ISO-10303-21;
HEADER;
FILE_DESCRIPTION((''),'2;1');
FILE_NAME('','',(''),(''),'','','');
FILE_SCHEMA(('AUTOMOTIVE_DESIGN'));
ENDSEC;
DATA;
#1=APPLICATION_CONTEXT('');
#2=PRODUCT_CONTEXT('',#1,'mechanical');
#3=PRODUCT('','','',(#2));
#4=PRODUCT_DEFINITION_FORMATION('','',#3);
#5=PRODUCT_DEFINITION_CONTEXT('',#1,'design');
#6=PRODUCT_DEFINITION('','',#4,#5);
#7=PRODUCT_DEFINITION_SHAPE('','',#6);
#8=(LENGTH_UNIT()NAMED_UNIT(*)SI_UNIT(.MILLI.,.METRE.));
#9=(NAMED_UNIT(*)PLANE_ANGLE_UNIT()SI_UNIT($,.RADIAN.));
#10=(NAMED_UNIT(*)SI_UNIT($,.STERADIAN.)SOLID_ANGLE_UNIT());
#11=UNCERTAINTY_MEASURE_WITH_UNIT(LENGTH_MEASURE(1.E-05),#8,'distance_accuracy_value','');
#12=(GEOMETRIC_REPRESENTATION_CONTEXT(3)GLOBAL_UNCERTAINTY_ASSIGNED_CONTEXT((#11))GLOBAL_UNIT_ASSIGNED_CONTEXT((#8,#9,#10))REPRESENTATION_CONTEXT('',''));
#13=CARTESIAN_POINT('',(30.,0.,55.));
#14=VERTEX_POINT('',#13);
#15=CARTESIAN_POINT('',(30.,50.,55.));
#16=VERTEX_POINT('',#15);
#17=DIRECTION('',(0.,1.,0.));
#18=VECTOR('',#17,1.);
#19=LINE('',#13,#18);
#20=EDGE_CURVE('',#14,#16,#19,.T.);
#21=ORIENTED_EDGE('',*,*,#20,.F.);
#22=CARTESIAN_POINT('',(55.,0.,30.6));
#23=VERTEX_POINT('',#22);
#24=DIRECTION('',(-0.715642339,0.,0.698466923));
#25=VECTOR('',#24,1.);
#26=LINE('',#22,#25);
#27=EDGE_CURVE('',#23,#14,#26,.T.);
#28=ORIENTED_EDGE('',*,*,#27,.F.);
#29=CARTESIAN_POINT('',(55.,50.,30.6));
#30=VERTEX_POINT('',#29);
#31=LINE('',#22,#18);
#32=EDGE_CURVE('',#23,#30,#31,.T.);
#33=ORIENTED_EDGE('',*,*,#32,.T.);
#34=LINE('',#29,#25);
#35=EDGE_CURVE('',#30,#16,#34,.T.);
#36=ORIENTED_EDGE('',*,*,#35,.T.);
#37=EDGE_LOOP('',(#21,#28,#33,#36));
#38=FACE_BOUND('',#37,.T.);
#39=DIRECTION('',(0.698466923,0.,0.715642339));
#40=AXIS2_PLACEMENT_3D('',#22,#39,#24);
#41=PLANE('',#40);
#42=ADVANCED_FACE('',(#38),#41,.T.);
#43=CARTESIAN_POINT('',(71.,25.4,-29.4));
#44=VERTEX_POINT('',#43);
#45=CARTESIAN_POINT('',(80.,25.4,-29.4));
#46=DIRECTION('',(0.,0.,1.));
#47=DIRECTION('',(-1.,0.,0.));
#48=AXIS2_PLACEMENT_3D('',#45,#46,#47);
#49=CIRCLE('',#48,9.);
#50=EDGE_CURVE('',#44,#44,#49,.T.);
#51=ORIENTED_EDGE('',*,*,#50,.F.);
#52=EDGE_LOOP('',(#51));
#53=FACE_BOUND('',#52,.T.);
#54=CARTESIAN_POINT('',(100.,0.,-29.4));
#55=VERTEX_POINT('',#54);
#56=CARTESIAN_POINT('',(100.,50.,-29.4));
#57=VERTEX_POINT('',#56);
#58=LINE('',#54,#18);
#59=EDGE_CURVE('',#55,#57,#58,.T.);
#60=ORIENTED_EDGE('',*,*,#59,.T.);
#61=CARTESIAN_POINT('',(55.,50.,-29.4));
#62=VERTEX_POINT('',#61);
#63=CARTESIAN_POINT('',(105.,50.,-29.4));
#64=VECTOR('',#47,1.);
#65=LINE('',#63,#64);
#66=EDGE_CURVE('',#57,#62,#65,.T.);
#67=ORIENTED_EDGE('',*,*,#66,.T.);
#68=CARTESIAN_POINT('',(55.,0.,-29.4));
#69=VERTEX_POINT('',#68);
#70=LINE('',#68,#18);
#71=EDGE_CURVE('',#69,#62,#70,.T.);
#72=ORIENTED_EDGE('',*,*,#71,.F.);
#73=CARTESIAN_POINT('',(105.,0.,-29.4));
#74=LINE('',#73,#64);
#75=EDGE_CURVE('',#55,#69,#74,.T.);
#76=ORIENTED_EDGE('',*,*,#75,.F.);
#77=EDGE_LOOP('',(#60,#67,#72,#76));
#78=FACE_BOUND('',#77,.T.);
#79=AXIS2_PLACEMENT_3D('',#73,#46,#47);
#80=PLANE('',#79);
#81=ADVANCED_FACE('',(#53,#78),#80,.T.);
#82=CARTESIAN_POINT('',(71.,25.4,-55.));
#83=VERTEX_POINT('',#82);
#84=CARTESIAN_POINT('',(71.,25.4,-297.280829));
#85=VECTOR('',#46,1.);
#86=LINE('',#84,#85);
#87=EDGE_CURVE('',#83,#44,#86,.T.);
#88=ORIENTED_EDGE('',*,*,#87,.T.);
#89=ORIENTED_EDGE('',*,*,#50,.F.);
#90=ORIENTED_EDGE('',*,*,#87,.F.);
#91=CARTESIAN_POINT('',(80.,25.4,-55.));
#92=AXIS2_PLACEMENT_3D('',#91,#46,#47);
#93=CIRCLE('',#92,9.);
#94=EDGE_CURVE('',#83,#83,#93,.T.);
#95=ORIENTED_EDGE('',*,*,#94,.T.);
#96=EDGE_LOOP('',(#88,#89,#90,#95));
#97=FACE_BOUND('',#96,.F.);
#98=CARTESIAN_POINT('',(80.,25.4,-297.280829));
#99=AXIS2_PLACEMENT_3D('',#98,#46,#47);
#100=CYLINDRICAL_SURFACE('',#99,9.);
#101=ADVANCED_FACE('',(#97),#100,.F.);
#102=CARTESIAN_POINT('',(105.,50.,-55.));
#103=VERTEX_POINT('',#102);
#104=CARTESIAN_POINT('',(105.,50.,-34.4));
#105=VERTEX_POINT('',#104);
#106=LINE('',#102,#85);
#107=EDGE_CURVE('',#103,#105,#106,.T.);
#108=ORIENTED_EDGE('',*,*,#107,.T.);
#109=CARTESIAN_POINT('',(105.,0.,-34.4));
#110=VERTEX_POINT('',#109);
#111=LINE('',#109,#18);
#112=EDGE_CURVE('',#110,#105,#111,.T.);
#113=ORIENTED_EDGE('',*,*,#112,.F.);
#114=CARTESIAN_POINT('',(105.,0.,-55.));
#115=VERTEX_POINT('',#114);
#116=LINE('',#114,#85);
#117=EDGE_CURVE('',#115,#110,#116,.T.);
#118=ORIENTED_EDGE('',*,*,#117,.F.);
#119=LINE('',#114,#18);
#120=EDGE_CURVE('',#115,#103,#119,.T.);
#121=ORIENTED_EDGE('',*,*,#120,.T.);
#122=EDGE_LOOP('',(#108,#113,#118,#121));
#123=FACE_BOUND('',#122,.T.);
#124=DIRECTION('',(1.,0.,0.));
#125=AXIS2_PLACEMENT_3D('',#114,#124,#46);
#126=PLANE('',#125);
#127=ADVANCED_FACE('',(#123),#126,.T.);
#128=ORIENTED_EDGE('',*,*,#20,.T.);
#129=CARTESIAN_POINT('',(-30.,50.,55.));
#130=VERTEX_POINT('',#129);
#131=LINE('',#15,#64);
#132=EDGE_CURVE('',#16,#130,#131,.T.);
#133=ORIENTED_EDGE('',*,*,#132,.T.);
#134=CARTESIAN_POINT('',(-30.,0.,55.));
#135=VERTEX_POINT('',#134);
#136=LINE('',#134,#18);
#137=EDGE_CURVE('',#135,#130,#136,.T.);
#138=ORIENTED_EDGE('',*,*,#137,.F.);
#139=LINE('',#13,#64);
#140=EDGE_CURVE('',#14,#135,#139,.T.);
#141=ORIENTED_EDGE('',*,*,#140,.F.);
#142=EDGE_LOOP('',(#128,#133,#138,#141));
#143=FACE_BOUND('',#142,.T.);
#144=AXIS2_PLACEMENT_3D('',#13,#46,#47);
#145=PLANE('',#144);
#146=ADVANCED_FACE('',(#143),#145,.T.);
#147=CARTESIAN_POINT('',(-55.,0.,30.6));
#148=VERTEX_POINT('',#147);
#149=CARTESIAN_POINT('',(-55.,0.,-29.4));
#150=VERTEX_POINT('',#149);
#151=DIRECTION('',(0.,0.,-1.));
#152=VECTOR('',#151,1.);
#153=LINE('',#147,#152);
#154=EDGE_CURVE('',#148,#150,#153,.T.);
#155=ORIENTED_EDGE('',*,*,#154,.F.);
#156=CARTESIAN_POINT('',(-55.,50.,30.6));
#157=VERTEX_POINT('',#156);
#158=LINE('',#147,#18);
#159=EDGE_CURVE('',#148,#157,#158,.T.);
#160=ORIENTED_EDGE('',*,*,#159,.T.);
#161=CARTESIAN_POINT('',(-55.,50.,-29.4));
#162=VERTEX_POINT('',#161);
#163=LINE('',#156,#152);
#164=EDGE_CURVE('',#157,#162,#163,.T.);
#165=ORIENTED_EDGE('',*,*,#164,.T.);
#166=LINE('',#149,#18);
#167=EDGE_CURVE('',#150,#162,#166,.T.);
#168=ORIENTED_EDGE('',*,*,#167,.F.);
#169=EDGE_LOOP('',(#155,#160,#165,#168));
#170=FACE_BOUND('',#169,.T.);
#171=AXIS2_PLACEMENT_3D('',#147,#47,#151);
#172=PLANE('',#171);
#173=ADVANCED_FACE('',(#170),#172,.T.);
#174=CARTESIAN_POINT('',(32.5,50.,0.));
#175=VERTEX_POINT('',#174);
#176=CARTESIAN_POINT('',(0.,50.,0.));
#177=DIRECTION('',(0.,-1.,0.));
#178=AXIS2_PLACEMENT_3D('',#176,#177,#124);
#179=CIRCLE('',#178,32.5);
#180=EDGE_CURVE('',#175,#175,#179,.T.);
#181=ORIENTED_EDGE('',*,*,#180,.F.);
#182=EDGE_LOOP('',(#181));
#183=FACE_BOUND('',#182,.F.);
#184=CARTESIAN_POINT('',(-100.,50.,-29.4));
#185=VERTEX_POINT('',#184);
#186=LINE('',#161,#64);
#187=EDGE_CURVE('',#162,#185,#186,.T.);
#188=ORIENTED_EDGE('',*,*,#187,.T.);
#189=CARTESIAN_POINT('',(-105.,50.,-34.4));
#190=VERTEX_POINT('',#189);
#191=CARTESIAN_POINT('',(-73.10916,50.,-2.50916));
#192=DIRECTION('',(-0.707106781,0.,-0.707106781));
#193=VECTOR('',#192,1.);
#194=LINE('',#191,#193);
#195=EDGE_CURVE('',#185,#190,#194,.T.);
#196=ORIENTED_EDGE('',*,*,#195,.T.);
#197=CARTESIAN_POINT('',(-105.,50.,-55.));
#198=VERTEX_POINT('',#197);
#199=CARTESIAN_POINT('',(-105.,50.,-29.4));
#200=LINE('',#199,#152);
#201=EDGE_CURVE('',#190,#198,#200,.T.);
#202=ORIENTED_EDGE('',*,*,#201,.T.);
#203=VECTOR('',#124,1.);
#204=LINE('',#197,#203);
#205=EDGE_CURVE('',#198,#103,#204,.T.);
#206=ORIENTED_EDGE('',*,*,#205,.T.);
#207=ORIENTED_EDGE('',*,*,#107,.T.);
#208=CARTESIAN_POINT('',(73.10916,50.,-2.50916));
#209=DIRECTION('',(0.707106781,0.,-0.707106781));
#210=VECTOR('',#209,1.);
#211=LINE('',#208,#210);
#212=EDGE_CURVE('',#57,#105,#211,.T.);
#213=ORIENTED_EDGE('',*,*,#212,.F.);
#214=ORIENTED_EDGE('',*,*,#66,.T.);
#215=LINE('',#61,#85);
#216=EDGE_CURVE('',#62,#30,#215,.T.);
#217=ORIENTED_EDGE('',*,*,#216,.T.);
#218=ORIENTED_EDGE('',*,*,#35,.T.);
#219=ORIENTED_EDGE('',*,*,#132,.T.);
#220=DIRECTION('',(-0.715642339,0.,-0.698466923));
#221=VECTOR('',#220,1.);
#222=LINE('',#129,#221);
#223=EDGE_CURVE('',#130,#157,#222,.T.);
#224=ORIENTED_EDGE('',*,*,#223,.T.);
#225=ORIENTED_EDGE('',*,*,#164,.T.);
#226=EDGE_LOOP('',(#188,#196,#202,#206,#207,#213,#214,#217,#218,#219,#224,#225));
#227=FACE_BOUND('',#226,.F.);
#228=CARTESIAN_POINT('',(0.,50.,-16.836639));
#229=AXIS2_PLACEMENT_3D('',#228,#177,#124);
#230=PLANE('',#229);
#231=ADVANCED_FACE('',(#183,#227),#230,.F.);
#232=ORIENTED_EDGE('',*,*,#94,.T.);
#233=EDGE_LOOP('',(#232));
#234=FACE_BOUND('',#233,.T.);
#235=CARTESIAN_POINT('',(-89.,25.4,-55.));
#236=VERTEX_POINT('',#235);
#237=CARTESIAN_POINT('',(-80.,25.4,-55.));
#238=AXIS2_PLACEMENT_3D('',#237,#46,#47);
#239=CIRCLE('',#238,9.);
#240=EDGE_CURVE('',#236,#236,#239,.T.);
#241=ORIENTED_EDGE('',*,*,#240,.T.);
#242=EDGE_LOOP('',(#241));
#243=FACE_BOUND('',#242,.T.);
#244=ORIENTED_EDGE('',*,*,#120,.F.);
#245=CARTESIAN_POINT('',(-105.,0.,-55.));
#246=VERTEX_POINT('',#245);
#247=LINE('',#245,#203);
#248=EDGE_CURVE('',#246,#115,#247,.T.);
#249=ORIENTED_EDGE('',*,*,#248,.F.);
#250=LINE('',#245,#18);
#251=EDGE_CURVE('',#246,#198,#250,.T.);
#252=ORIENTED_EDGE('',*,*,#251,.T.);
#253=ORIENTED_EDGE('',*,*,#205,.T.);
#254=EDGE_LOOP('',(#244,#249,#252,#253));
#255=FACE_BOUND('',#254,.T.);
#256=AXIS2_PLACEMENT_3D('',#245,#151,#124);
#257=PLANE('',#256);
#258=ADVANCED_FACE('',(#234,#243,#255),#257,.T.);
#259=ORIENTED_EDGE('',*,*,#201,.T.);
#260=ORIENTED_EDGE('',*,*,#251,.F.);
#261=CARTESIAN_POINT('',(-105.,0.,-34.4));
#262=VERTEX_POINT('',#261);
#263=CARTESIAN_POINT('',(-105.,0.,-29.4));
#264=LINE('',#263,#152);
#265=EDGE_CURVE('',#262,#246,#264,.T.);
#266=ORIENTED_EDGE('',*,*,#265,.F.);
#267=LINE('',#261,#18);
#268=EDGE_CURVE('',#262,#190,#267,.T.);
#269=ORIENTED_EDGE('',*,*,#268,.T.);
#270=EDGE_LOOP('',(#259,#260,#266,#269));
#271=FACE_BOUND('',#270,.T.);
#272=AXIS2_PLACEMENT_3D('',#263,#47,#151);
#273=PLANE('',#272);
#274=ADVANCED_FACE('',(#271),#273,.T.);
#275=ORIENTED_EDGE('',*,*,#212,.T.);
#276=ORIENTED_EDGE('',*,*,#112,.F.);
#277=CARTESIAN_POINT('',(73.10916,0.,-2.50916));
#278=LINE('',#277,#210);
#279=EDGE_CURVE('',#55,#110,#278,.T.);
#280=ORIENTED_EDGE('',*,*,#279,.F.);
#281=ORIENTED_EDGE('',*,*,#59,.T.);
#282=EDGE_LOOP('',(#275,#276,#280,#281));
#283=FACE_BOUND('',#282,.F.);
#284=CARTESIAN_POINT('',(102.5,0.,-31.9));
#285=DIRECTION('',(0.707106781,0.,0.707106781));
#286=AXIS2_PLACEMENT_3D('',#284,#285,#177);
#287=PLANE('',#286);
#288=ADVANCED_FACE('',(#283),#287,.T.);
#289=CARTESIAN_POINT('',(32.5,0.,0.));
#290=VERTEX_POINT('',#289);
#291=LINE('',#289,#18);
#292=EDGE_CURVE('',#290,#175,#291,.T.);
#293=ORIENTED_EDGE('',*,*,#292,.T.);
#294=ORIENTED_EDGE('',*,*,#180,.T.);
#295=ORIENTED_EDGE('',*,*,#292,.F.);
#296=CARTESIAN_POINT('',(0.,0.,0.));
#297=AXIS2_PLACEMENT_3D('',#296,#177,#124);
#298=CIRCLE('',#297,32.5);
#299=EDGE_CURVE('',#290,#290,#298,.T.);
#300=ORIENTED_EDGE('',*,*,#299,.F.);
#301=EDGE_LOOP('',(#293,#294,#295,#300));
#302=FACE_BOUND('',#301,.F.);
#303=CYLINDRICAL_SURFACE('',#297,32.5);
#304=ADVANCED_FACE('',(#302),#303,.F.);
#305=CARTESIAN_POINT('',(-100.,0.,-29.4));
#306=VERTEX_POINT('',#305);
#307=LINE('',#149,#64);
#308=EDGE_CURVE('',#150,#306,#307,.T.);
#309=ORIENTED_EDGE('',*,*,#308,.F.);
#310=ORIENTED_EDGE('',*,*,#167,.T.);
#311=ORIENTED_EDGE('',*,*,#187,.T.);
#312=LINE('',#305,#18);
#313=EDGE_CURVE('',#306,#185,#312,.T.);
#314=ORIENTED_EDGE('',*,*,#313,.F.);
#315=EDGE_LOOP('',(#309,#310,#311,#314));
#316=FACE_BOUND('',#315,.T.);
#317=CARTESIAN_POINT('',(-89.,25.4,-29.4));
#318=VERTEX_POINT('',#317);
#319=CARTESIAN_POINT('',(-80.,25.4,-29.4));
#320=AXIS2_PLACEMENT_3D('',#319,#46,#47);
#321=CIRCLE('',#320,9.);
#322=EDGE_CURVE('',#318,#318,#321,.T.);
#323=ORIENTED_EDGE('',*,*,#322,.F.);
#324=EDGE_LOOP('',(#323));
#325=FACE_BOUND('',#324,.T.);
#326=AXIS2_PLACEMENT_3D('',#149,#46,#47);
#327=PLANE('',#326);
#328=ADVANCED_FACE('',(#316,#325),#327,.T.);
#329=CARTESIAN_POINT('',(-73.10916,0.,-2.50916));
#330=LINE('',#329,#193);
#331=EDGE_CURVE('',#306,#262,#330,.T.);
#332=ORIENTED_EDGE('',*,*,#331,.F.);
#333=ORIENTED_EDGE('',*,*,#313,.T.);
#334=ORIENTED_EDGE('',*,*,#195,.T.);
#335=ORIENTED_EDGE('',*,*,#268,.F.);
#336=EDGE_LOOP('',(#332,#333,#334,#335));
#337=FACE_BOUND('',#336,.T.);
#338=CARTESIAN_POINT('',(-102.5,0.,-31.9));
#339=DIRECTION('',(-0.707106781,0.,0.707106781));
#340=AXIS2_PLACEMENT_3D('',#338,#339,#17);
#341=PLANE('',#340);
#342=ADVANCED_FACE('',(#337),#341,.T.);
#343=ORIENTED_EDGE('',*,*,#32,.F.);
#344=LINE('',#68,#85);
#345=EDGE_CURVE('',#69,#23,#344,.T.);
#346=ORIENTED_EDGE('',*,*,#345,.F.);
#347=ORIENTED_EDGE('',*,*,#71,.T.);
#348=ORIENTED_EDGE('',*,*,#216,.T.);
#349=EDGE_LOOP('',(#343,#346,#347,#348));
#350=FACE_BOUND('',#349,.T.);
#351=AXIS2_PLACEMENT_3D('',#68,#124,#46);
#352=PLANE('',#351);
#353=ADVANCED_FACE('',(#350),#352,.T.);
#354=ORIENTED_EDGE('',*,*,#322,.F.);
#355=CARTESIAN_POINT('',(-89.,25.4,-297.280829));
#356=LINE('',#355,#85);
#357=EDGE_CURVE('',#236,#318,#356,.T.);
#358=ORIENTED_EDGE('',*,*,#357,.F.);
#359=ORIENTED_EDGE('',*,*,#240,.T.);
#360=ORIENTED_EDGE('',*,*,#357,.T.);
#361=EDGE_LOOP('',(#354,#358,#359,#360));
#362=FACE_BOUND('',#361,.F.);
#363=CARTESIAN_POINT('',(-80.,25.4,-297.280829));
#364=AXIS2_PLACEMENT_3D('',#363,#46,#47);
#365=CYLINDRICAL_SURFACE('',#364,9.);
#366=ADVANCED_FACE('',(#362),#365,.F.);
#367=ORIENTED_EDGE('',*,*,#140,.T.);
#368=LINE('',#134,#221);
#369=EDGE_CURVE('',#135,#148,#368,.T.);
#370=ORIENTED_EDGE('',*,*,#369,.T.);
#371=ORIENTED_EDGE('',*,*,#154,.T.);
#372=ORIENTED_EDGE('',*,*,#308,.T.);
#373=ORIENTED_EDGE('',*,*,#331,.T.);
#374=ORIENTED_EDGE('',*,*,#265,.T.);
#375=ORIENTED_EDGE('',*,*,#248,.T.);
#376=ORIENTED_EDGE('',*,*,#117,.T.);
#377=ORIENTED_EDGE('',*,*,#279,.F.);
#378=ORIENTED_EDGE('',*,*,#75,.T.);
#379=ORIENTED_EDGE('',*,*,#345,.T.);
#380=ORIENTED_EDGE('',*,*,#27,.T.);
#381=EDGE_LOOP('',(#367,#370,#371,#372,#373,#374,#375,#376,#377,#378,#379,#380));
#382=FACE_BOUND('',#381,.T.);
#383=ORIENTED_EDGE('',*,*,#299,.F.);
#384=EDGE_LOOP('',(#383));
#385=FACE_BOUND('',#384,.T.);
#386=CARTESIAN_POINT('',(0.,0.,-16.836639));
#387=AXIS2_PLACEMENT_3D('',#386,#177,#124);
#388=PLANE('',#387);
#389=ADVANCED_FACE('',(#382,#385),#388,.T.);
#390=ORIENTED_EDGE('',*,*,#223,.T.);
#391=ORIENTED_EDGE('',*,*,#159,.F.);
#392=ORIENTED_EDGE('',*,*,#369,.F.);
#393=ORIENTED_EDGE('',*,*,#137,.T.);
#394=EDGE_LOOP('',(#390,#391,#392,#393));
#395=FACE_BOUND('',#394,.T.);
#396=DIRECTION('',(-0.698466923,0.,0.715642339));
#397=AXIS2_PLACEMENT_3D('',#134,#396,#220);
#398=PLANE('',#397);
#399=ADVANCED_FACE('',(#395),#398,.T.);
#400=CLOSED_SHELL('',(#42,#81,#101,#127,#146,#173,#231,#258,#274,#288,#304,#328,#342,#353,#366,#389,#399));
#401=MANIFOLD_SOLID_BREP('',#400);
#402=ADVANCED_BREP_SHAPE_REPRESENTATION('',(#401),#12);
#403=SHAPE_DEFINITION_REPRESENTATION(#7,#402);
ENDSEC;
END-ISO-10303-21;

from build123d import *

# Parameters (mm, degrees)
F0_R     = 32.5
F1_DEPTH = 50
F2_SIZE  = 5
F4_D     = 18


with BuildPart() as f1:
    # F0 (on Front) → F1 (new body)
    with BuildSketch(Plane.XZ):
        Polygon((30, 55), (0, 55), (-30, 55), (-55, 30.6), (-55, -29.4), (-105, -29.4), (-105, -55), (0, -55), (105, -55), (105, -29.4), (55, -29.4), (55, 30.6), align=None)
        Circle(F0_R, mode=Mode.SUBTRACT)
    extrude(amount=-F1_DEPTH)

    # F2
    f2_edges = [f1.edges().sort_by_distance(p)[0] for p in [
        (105, 25, -29.4),
        (-105, 25, -29.4),
    ]]
    chamfer(f2_edges, length=F2_SIZE)

    # F4 (through all)
    with Locations(Plane(origin=(0, 0, -55), x_dir=(1, 0, 0), z_dir=(0, 0, -1))):
        with Locations((-80, -25.4), (80, -25.4)):
            Hole(F4_D / 2)


solid = f1.part
